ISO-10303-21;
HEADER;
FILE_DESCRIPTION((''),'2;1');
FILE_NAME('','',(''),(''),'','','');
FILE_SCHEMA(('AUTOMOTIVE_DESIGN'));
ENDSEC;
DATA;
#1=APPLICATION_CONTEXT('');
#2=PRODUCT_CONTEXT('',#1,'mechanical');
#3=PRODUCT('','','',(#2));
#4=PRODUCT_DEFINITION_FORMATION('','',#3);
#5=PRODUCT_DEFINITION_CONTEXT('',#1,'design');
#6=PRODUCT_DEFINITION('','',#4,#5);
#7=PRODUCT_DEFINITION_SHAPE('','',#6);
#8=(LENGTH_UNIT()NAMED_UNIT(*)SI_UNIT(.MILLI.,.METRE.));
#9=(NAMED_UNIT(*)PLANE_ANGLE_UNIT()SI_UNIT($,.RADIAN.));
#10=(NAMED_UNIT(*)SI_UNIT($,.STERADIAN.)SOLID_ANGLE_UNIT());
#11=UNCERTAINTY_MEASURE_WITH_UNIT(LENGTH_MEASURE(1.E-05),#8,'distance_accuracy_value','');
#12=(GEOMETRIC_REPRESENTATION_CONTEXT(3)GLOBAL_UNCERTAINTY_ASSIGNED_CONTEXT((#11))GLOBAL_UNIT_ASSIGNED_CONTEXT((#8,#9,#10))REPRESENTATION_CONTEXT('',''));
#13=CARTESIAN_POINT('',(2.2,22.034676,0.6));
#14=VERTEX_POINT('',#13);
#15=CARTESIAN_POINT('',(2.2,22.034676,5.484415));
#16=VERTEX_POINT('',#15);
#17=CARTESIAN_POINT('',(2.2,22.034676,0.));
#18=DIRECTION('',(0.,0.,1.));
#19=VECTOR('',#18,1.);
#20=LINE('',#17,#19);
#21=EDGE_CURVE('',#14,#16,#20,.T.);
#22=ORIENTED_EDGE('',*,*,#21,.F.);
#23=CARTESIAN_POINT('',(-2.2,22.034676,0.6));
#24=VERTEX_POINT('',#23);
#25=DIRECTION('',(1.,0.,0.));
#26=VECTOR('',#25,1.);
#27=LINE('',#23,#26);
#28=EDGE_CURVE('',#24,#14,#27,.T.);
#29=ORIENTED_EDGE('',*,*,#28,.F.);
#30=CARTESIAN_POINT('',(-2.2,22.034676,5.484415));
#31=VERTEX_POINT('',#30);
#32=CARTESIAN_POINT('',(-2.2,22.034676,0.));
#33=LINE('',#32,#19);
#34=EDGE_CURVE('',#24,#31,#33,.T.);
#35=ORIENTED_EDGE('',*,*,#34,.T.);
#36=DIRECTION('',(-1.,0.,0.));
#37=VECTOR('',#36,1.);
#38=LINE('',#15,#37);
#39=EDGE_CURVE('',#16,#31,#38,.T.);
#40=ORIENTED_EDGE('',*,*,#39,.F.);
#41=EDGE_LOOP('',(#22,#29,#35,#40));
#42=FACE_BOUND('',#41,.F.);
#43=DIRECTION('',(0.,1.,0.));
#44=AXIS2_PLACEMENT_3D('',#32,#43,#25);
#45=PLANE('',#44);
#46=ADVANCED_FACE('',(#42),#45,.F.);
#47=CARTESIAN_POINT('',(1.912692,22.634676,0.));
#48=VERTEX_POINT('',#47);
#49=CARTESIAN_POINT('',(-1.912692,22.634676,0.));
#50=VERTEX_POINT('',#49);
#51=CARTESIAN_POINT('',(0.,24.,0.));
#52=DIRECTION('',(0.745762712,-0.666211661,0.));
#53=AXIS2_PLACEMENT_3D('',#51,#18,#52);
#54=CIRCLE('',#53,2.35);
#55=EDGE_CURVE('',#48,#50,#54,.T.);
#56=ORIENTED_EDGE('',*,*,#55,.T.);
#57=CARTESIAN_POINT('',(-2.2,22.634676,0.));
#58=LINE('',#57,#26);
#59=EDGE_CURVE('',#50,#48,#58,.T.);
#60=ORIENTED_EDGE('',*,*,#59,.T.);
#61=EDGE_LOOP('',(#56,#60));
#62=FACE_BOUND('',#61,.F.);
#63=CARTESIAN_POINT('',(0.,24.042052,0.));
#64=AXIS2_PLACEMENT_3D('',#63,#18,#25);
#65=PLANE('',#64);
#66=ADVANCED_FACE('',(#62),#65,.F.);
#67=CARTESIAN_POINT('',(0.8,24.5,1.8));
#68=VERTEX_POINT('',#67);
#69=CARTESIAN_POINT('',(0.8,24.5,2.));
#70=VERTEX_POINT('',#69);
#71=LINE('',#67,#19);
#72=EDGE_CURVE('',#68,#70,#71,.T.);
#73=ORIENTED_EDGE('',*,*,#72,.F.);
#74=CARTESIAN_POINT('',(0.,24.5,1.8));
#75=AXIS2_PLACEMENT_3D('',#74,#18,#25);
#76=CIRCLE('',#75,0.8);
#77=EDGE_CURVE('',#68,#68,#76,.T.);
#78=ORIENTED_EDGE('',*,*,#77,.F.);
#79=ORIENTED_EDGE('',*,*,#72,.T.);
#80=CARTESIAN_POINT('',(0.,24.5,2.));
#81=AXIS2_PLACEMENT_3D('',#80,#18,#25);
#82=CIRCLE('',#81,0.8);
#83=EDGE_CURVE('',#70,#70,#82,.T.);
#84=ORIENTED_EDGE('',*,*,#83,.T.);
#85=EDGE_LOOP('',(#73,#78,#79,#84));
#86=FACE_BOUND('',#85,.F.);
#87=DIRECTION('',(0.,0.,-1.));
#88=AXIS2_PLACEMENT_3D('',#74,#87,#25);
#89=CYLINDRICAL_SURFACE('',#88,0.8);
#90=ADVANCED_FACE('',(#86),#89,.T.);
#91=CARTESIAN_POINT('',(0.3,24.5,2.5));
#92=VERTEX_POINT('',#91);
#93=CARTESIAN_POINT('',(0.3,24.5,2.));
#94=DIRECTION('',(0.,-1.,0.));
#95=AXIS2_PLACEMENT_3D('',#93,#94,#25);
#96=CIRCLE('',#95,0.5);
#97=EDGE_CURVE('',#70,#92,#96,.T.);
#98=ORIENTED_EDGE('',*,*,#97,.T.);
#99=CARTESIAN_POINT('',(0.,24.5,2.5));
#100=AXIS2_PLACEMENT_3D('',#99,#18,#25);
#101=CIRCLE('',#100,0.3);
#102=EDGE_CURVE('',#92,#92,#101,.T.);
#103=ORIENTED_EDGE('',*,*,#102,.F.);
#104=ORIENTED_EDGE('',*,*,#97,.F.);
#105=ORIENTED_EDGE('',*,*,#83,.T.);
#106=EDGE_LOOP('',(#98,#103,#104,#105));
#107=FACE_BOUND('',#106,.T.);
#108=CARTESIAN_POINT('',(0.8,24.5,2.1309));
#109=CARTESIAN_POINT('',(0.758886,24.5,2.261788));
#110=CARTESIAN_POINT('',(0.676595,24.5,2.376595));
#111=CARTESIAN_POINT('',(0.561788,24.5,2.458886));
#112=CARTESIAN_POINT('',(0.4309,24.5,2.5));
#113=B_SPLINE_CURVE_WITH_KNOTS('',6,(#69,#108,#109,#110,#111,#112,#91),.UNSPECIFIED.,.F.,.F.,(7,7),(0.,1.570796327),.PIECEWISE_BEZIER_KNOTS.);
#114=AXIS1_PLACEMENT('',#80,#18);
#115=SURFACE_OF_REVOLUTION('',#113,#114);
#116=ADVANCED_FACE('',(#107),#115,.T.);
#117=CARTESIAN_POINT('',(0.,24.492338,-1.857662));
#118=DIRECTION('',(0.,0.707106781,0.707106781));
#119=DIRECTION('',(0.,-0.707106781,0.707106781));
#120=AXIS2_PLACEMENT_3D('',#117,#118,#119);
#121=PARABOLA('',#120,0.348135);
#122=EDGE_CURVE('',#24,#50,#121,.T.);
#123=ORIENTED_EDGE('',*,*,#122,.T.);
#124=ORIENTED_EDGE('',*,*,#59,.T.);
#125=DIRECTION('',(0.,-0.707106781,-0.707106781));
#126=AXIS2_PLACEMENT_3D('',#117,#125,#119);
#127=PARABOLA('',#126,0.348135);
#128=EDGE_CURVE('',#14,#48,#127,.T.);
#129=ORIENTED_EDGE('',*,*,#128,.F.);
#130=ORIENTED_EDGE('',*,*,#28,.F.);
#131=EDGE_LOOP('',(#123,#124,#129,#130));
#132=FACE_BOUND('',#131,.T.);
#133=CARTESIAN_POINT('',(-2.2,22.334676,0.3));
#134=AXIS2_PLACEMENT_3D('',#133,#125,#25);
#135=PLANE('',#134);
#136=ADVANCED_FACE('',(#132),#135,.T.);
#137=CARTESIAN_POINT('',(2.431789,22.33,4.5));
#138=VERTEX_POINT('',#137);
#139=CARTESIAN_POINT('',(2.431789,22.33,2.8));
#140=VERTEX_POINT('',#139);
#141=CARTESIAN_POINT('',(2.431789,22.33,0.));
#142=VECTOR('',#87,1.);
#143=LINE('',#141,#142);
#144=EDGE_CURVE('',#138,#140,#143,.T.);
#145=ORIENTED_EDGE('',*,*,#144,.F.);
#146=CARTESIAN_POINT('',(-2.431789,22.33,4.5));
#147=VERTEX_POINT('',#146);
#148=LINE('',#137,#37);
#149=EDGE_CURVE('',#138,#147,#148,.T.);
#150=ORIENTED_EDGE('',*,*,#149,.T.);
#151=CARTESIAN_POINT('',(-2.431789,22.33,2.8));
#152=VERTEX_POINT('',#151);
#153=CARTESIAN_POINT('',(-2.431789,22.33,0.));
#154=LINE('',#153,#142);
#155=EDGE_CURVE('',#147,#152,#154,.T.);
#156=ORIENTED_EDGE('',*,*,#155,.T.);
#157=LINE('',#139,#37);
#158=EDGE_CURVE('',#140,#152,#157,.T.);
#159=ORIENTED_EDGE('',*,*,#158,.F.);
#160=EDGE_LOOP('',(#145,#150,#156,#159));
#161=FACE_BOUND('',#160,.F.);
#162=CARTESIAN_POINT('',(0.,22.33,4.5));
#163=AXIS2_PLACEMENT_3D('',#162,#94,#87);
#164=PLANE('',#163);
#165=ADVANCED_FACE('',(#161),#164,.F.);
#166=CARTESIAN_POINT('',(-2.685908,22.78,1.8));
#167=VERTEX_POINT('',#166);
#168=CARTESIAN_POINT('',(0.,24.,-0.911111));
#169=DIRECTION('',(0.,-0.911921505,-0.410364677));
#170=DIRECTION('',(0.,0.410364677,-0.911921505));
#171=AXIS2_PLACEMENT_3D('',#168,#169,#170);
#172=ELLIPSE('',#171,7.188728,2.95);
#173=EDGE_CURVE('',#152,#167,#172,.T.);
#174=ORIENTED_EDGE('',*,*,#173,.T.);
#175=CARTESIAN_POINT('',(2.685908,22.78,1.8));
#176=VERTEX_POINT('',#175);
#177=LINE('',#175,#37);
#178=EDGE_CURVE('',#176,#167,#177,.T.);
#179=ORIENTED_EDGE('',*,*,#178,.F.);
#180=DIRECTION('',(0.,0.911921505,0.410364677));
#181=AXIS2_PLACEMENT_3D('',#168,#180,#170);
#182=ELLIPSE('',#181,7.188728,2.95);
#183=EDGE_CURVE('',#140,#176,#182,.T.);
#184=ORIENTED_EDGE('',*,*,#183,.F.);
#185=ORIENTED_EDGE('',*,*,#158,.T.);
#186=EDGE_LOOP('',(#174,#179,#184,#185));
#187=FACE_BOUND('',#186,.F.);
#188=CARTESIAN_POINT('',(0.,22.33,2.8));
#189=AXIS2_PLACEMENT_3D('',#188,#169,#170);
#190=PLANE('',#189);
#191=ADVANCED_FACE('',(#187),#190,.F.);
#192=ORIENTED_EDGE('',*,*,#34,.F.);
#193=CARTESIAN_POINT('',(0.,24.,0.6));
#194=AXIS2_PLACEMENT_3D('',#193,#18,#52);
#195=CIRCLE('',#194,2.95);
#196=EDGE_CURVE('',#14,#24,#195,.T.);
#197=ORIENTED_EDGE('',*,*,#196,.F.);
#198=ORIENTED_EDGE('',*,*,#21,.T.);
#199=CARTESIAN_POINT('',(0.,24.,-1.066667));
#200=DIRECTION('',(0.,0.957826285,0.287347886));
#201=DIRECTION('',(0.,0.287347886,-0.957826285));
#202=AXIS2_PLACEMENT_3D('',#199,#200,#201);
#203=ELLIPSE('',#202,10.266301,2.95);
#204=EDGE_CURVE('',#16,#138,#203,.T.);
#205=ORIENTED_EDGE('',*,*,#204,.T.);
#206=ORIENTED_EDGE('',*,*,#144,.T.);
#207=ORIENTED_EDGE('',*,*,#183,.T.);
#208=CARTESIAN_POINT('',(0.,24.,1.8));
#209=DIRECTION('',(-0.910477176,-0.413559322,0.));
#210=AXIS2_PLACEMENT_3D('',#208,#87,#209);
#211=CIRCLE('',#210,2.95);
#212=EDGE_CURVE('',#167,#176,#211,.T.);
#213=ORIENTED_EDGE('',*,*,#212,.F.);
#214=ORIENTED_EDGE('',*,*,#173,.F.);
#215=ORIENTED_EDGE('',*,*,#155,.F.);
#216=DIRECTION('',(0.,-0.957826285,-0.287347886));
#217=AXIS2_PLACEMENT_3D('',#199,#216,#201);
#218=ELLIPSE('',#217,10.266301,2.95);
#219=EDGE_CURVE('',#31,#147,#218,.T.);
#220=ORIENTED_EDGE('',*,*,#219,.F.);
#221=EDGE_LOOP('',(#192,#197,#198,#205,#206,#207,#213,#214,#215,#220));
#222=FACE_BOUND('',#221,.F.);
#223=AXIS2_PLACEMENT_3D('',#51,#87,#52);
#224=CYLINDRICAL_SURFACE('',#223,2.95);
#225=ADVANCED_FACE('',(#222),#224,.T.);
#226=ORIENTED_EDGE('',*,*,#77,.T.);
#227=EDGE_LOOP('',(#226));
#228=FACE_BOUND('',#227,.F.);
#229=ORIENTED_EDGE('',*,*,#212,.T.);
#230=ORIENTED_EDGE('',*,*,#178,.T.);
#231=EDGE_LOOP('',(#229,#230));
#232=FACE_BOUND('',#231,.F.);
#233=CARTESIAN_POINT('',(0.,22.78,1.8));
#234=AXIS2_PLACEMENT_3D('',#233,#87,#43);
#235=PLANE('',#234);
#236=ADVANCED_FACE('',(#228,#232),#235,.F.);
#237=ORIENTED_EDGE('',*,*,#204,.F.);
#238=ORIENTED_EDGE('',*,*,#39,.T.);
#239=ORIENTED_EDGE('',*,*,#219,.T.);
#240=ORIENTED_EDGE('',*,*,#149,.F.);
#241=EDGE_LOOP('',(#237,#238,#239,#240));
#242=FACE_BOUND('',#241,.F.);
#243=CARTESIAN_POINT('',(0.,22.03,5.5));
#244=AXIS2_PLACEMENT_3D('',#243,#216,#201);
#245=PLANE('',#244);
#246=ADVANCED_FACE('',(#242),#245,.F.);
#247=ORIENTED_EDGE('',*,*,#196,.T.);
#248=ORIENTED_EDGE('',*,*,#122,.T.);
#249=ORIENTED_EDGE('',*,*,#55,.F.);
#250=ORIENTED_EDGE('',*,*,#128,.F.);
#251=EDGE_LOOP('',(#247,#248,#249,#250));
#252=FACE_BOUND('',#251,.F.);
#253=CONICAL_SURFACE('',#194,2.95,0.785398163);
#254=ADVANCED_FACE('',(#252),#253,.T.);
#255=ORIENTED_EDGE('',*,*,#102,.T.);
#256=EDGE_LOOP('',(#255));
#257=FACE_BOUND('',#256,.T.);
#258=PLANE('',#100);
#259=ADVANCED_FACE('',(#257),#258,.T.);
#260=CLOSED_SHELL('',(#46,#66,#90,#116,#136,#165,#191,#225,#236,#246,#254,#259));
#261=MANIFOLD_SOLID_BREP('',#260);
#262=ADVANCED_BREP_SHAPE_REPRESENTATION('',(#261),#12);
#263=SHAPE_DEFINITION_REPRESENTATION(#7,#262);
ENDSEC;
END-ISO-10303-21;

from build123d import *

# Parameters (mm, degrees)
PAD003_DEPTH         = 5.5
POCKET004_DEPTH      = 2.951
POCKET004_DEPTH_BACK = 2.951
SKETCH013_R          = 0.8
PAD006_DEPTH         = 0.7
FILLET_R             = 0.5
CHAMFER004_SIZE      = 0.6


with BuildPart() as part:
    # Sketch004 → Pad003 (new body)
    with BuildSketch(Plane.XY):
        with BuildLine():
            ThreePointArc((2.2, -1.9653244007), (0, 2.95), (-2.2, -1.9653244007))
            Line((-2.2, -1.9653244007), (2.2, -1.9653244007))
        make_face()
    extrude(amount=PAD003_DEPTH)

    # Sketch014 → Pocket004 (cut, two sides)
    with BuildSketch(Plane.YZ) as pocket004_sk:
        Polygon((-1.97, 5.5), (-1.67, 4.5), (-1.67, 2.8), (-1.22, 1.8), (4, 1.8), (4, 5.5), align=None)
    extrude(amount=-POCKET004_DEPTH, mode=Mode.SUBTRACT)
    extrude(pocket004_sk.sketch, amount=POCKET004_DEPTH_BACK, mode=Mode.SUBTRACT)

    # Sketch013 (on Face7 of Pocket004) → Pad006 (join)
    with BuildSketch(Plane.XY.offset(1.8)):
        with Locations((0, 0.5)):
            Circle(SKETCH013_R)
    extrude(amount=PAD006_DEPTH)

    # Fillet
    fillet_edges = [part.edges().sort_by_distance(p)[0] for p in [
        (-0.8, 0.5, 2.5),
    ]]
    fillet(fillet_edges, radius=FILLET_R)

    # Chamfer004
    chamfer004_edges = [part.edges().sort_by_distance(p)[0] for p in [
        (0, 2.95, 0),
        (0, -1.965324, 0),
    ]]
    chamfer(chamfer004_edges, length=CHAMFER004_SIZE)


with BuildPart() as part_1:
    # Body023 placement: moved
    add(part.part.moved(Location((0, 24, 0))))


solid = part_1.part
